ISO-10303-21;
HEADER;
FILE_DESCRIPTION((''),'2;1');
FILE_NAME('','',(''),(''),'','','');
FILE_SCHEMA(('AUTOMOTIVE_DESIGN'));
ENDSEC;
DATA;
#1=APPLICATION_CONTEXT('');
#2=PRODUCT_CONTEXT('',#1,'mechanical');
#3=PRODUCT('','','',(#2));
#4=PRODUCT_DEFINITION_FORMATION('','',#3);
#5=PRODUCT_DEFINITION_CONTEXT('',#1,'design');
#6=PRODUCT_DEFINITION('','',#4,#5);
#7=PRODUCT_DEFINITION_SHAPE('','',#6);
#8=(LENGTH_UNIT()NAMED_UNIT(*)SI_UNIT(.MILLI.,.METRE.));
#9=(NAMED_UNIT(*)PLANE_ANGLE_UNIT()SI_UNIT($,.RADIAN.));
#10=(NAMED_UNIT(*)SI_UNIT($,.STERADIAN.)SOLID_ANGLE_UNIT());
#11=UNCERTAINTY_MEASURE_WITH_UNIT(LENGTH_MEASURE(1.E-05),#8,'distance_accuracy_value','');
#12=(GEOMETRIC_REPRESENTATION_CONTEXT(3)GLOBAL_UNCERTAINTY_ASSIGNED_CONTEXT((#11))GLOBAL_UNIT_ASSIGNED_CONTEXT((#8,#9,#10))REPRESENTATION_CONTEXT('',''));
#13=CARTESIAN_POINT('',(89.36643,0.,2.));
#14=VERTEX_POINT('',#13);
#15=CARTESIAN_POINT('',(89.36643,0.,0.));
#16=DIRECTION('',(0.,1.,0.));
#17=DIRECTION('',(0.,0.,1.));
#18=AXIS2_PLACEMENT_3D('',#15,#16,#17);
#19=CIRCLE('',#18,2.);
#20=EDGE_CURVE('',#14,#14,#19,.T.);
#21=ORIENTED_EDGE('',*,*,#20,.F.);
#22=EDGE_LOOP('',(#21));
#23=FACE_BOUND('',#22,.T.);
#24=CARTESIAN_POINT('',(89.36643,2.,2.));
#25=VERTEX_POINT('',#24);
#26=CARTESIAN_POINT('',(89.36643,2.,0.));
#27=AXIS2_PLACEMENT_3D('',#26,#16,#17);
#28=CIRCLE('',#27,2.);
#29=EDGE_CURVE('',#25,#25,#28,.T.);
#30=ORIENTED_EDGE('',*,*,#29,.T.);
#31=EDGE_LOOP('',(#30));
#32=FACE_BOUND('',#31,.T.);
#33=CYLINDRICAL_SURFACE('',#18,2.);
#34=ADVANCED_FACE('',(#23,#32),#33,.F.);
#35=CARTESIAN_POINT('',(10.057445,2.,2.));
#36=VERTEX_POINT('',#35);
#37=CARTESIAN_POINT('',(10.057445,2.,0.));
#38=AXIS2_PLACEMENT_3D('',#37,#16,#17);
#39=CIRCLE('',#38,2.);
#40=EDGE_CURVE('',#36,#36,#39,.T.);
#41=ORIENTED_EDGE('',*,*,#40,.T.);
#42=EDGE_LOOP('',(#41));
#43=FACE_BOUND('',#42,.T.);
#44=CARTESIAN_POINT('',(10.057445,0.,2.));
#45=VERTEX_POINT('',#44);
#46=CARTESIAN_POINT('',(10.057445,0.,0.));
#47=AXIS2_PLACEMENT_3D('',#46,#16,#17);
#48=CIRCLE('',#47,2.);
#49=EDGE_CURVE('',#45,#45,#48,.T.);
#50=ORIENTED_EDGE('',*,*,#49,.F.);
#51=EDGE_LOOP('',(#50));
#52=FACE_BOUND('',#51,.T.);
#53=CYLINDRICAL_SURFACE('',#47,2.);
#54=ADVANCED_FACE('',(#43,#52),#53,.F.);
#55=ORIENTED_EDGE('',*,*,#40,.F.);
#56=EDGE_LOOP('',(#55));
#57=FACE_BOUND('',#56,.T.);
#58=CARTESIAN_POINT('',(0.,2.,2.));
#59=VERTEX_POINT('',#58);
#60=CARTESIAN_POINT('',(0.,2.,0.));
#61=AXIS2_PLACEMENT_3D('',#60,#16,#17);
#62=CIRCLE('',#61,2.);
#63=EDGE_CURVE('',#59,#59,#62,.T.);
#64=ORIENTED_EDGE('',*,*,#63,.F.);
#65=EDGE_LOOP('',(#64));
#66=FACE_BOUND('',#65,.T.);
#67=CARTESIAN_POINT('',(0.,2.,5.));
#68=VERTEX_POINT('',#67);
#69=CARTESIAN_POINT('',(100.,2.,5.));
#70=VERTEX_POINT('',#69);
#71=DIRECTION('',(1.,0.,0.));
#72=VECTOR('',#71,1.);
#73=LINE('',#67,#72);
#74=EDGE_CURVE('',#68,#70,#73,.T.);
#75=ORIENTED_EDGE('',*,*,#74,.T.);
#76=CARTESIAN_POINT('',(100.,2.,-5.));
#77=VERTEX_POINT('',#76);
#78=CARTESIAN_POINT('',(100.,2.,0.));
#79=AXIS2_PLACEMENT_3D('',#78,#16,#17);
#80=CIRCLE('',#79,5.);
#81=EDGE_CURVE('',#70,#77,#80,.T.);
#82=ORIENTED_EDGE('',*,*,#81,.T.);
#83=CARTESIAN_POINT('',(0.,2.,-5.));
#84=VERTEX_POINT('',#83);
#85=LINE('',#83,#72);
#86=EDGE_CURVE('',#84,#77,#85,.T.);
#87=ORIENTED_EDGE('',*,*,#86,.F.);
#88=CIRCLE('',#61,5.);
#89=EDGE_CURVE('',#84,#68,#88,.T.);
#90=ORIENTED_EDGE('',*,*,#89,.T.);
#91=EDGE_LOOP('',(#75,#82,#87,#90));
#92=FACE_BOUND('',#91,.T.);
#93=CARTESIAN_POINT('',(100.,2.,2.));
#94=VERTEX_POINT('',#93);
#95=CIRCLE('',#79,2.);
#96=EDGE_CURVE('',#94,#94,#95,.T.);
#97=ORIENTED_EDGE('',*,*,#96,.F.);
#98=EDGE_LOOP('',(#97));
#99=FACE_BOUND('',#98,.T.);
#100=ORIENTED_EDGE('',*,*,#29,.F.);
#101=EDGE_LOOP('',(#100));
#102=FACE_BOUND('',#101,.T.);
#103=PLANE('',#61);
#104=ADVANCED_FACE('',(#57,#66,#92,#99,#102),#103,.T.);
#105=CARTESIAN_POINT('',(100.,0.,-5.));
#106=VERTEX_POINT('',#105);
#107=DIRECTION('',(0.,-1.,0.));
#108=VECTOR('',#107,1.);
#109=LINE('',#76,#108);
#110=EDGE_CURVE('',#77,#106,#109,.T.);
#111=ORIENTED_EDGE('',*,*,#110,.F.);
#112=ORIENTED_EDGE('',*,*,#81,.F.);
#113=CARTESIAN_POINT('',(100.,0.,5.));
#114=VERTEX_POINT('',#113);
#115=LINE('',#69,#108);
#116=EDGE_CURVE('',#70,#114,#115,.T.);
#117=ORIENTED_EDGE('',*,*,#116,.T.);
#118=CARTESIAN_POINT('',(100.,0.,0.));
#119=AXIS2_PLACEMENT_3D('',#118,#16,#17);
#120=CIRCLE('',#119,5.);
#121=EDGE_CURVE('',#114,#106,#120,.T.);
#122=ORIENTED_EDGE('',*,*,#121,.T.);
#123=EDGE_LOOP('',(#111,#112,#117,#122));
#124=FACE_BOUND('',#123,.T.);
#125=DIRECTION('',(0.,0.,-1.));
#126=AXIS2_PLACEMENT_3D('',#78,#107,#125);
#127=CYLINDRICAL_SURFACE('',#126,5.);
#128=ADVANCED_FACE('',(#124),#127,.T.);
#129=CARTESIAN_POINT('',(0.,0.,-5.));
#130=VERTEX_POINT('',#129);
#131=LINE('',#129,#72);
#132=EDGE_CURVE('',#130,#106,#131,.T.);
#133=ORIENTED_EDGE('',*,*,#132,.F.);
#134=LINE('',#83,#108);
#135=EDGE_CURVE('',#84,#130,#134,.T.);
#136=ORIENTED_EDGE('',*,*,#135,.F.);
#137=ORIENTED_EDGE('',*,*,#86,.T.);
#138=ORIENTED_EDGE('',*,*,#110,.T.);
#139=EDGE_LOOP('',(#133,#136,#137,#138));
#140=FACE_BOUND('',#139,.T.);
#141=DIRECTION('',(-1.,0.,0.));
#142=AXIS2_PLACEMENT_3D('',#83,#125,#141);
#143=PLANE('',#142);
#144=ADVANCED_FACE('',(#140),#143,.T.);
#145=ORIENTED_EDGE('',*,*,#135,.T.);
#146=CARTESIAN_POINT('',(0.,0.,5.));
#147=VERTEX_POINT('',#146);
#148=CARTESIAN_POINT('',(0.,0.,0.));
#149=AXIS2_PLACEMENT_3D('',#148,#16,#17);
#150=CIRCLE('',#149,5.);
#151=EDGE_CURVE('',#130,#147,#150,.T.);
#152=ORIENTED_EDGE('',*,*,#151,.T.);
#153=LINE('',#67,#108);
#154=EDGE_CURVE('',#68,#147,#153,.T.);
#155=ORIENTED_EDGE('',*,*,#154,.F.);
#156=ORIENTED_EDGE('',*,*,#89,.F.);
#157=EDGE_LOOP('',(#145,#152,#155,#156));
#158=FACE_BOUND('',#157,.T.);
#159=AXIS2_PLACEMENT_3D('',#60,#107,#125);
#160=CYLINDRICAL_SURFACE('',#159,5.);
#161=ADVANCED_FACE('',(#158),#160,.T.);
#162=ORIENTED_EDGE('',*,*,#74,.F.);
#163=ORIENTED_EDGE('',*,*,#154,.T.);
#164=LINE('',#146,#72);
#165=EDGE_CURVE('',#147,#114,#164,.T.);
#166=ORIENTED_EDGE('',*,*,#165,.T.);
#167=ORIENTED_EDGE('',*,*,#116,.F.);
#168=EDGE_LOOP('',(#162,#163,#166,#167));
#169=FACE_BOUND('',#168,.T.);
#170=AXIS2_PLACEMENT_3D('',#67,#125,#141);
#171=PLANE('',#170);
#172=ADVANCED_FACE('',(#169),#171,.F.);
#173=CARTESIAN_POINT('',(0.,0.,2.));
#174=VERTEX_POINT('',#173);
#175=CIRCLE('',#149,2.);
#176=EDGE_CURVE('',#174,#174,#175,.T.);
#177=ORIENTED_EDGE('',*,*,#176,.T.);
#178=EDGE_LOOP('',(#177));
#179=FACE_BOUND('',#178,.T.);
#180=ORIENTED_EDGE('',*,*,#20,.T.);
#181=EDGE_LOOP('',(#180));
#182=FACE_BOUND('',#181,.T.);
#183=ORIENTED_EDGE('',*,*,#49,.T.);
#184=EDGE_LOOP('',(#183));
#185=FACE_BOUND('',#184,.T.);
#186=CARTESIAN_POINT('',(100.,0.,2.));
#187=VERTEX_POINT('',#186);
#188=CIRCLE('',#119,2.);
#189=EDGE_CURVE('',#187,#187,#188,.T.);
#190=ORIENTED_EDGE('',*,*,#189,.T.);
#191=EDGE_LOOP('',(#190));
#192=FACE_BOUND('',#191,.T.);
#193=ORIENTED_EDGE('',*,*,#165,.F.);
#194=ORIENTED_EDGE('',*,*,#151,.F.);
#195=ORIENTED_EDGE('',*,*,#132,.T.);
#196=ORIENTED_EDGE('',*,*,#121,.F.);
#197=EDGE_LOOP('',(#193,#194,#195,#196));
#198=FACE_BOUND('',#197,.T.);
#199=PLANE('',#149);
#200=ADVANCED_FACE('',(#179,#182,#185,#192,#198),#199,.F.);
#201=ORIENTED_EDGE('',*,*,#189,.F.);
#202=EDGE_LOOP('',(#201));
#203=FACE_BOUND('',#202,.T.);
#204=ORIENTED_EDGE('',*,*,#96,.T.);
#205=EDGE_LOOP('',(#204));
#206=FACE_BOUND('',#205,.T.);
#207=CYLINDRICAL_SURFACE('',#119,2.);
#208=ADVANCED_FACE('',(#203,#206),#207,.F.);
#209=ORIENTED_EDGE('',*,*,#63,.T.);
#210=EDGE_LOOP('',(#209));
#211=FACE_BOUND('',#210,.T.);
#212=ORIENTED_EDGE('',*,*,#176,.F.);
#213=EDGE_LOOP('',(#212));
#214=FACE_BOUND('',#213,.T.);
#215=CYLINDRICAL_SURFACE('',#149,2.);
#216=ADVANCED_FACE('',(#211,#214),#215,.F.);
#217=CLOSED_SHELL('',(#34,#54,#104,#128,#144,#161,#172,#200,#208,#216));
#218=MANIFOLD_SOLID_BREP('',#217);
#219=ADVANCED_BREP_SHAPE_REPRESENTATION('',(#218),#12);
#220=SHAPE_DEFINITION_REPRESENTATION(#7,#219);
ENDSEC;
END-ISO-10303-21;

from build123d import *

# Parameters (mm, degrees)
SKETCH_1_R          = 2.3
EXTRUDE_1_DEPTH     = 2
SKETCH_2_R          = 2.445702399
SKETCH_2_R_2        = 2
EXTRUDE_2_DEPTH     = 2
SKETCH_3_R          = 2.726249273
SKETCH_3_R_2        = 2
EXTRUDE_3_DEPTH     = 2
SKETCH_4_R          = 2
CUT_EXTRUDE_1_DEPTH = 2


with BuildPart() as part:
    # 草图1 → 凸台-拉伸1 (new body)
    with BuildSketch(Plane(origin=(0, 0, 0), x_dir=(1, 0, 0), z_dir=(0, 1, 0))):
        with BuildLine():
            Line((0, 5), (100, 5))
            ThreePointArc((100, 5), (105, 0), (100, -5))
            Line((100, -5), (0, -5))
            ThreePointArc((0, -5), (-5, 0), (0, 5))
        make_face()
        with Locations(Location((0, 0, 0), (0, 0, 270))):
            Circle(SKETCH_1_R, mode=Mode.SUBTRACT)
        with Locations(Location((100, 0, 0), (0, 0, 270))):
            Circle(SKETCH_1_R, mode=Mode.SUBTRACT)
    extrude(amount=EXTRUDE_1_DEPTH)

    # 草图2 → 凸台-拉伸2 (add)
    with BuildSketch(Plane(origin=(0, 2, 0), x_dir=(1, 0, 0), z_dir=(0, 1, 0))):
        Circle(SKETCH_2_R)
        with Locations(Location((0, 0, 0), (0, 0, 270))):
            Circle(SKETCH_2_R_2, mode=Mode.SUBTRACT)
    extrude(amount=-EXTRUDE_2_DEPTH)

    # 草图3 → 凸台-拉伸3 (add)
    with BuildSketch(Plane(origin=(0, 2, 0), x_dir=(1, 0, 0), z_dir=(0, 1, 0))):
        with Locations((100, 0)):
            Circle(SKETCH_3_R)
        with Locations(Location((100, 0, 0), (0, 0, 270))):
            Circle(SKETCH_3_R_2, mode=Mode.SUBTRACT)
    extrude(amount=-EXTRUDE_3_DEPTH)

    # 草图4 → 切除-拉伸1 (cut)
    with BuildSketch(Plane(origin=(0, 2, 0), x_dir=(1, 0, 0), z_dir=(0, 1, 0))):
        with Locations(Location((10.057445081, 0, 0), (0, 0, 270))):
            Circle(SKETCH_4_R)
        with Locations(Location((89.366430164, 0, 0), (0, 0, 270))):
            Circle(SKETCH_4_R)
    extrude(amount=-CUT_EXTRUDE_1_DEPTH, mode=Mode.SUBTRACT)


solid = part.part
